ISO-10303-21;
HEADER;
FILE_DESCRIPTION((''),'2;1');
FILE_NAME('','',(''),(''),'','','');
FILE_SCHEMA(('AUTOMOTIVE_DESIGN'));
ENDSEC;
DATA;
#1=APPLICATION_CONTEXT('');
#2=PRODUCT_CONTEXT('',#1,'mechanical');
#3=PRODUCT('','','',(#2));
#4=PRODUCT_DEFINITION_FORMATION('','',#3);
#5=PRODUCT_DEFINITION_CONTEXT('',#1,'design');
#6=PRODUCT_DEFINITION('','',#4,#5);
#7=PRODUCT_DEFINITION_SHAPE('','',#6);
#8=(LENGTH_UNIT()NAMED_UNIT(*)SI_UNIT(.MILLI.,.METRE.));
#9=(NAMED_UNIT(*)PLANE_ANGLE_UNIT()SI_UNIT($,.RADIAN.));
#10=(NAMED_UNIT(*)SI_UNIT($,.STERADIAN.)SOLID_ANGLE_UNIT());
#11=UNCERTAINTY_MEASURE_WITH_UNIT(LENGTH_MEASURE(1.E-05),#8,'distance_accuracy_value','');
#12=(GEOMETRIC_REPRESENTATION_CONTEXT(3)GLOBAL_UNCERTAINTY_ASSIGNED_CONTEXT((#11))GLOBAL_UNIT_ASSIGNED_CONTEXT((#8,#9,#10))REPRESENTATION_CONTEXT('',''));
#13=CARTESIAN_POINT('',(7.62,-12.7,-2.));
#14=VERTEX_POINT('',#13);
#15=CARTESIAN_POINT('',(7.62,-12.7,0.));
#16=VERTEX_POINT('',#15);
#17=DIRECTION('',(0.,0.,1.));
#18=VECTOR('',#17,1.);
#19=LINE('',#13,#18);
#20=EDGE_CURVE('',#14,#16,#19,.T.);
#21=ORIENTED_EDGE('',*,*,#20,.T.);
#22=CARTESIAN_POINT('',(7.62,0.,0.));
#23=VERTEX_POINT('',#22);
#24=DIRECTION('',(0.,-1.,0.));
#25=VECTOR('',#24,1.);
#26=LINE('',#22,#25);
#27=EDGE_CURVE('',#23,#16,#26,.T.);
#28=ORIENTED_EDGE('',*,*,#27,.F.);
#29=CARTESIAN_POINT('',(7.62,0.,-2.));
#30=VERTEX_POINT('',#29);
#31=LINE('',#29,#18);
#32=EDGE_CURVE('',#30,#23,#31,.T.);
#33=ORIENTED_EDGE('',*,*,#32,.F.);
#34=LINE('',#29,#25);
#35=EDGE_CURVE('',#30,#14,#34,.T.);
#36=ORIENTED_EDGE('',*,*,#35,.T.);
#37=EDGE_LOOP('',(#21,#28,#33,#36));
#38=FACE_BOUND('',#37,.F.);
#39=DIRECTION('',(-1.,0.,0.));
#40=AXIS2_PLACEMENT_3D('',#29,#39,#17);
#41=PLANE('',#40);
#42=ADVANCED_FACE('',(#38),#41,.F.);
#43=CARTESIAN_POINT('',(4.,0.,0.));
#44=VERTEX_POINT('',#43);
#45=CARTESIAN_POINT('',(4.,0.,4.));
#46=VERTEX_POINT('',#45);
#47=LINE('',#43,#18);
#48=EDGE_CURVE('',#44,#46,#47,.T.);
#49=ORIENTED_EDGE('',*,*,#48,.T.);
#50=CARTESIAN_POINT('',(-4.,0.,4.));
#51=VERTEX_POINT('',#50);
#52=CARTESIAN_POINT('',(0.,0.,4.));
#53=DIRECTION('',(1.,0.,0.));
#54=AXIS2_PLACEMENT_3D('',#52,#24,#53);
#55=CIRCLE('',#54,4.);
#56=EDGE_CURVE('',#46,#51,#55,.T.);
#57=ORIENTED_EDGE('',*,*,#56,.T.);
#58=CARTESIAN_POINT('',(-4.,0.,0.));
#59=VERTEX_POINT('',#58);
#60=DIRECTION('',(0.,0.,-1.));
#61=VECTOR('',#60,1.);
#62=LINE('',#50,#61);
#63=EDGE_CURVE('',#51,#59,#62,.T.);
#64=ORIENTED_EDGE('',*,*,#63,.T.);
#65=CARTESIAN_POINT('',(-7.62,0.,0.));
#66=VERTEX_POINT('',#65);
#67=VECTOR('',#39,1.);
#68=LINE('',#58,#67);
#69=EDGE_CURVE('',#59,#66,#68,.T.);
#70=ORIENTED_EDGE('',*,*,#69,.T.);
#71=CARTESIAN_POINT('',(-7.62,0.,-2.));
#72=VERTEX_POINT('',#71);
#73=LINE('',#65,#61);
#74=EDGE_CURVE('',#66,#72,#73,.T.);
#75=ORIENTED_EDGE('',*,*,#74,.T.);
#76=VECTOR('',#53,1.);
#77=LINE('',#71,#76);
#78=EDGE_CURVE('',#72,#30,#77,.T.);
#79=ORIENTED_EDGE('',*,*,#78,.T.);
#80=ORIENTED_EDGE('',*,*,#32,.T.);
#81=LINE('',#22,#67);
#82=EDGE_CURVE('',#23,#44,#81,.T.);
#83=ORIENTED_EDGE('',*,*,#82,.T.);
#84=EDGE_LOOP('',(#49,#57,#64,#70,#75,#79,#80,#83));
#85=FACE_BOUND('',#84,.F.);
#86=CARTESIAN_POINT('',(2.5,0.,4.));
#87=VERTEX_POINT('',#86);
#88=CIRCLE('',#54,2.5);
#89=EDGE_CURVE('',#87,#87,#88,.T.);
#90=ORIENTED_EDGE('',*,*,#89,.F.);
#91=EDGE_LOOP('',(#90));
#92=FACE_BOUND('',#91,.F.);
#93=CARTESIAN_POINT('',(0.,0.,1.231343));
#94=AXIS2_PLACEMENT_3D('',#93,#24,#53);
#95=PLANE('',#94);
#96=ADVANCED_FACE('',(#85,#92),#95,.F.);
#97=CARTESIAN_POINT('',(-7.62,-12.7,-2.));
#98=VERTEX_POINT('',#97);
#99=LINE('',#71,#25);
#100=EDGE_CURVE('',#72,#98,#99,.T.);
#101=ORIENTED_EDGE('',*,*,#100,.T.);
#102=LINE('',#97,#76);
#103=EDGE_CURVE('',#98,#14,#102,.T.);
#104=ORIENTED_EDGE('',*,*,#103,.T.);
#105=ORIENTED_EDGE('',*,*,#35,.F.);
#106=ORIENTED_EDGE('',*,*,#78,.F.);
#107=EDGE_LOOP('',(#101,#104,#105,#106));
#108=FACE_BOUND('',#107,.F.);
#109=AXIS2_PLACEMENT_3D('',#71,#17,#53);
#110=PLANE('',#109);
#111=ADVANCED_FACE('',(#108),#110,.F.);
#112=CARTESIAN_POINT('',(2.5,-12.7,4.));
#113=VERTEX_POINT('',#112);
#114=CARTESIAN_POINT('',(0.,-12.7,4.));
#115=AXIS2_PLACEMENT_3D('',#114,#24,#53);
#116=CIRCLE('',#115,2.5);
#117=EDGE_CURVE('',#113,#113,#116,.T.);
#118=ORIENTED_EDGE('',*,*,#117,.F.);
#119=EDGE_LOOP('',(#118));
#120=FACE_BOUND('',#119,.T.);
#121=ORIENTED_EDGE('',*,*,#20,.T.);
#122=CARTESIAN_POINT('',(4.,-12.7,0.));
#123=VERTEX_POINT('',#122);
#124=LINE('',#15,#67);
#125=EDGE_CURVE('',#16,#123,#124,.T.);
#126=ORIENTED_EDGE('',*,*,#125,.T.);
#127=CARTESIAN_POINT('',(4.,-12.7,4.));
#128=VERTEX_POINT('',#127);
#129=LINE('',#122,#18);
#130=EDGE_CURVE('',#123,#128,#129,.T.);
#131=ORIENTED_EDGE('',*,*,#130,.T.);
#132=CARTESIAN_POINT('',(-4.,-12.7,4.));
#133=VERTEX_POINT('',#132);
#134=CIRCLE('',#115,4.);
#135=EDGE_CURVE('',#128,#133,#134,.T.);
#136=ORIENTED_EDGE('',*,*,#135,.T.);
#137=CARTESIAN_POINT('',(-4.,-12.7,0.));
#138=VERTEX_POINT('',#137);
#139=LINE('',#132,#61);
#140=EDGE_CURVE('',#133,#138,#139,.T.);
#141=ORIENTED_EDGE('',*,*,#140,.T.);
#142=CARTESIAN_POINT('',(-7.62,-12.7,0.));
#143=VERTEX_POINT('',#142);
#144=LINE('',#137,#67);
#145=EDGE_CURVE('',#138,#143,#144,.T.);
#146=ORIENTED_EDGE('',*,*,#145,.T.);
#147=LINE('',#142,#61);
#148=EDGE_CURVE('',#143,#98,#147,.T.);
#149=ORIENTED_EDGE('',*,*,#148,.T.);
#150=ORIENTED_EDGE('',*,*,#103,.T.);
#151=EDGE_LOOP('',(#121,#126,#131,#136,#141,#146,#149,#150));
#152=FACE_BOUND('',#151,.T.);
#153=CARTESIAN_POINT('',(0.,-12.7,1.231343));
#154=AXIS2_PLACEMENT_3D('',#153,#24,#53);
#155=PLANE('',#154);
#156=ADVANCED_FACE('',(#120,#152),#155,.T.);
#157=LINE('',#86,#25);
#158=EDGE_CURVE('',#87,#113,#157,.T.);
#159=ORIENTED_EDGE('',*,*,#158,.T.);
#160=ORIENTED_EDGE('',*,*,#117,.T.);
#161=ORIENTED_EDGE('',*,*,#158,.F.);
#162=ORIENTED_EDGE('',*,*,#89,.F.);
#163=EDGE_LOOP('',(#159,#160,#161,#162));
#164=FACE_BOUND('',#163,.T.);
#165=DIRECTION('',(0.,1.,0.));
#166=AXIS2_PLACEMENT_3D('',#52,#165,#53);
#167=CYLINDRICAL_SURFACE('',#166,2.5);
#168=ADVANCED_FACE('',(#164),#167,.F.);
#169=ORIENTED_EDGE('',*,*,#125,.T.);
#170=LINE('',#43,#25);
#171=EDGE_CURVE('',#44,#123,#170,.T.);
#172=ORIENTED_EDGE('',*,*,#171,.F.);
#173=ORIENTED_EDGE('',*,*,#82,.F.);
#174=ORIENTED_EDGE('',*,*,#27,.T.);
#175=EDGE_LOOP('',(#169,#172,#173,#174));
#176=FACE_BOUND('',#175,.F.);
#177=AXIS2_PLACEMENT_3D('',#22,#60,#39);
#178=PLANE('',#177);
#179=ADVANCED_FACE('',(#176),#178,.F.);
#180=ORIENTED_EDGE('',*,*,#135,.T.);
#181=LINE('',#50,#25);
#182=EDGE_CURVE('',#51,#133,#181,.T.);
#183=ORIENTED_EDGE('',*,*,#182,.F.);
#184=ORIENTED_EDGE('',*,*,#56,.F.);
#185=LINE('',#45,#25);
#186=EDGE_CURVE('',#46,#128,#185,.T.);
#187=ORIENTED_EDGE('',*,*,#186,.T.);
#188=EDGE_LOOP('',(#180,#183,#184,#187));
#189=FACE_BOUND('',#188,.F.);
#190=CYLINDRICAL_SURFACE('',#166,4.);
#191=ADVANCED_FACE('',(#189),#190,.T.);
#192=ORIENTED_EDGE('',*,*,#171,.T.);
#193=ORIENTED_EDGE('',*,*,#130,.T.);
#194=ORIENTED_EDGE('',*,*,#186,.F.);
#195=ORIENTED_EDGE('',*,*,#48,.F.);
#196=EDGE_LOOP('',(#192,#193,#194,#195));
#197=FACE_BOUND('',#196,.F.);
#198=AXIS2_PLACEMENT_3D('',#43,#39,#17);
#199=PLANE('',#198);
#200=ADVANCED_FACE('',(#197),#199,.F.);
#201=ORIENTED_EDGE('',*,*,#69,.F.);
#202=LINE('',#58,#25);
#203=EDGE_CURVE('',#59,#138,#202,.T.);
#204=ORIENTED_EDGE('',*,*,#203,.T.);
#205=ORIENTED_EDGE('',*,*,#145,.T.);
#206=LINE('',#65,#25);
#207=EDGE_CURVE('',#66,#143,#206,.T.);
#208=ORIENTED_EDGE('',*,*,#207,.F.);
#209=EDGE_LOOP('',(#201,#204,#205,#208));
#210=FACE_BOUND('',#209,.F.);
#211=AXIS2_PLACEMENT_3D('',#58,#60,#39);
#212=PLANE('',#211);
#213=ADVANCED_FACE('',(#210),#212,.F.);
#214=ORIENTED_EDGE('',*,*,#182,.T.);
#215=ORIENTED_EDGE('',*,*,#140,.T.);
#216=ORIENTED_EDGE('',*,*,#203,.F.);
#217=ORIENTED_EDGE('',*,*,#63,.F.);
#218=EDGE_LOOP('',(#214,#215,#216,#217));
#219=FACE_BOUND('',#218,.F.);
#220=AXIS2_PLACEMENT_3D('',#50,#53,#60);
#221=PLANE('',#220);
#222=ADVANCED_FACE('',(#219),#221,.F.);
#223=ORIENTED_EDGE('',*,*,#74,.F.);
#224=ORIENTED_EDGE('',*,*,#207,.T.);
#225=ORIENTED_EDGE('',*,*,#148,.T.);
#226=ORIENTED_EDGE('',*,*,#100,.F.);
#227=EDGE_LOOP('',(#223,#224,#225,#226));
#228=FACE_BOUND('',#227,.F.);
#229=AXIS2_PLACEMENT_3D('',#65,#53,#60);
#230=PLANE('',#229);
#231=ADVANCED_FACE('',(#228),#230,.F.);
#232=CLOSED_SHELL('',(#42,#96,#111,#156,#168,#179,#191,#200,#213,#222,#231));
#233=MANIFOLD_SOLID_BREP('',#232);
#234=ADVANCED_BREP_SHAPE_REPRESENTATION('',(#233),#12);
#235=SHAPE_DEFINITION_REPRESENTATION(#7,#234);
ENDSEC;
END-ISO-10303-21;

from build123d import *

# Parameters (mm, degrees)
F0_R     = 2.5
F1_DEPTH = 12.7


with BuildPart() as f1:
    # F0 (on Front) → F1 (new body)
    with BuildSketch(Plane.XZ):
        with BuildLine():
            Line((-4, 0), (-7.62, 0))
            Line((-7.62, 0), (-7.62, -2))
            Line((-7.62, -2), (7.62, -2))
            Line((7.62, -2), (7.62, 0))
            Line((7.62, 0), (4, 0))
            Line((4, 0), (4, 4))
            ThreePointArc((4, 4), (0, 8), (-4, 4))
            Line((-4, 4), (-4, 0))
        make_face()
        with Locations((0, 4)):
            Circle(F0_R, mode=Mode.SUBTRACT)
    extrude(amount=F1_DEPTH)


solid = f1.part
